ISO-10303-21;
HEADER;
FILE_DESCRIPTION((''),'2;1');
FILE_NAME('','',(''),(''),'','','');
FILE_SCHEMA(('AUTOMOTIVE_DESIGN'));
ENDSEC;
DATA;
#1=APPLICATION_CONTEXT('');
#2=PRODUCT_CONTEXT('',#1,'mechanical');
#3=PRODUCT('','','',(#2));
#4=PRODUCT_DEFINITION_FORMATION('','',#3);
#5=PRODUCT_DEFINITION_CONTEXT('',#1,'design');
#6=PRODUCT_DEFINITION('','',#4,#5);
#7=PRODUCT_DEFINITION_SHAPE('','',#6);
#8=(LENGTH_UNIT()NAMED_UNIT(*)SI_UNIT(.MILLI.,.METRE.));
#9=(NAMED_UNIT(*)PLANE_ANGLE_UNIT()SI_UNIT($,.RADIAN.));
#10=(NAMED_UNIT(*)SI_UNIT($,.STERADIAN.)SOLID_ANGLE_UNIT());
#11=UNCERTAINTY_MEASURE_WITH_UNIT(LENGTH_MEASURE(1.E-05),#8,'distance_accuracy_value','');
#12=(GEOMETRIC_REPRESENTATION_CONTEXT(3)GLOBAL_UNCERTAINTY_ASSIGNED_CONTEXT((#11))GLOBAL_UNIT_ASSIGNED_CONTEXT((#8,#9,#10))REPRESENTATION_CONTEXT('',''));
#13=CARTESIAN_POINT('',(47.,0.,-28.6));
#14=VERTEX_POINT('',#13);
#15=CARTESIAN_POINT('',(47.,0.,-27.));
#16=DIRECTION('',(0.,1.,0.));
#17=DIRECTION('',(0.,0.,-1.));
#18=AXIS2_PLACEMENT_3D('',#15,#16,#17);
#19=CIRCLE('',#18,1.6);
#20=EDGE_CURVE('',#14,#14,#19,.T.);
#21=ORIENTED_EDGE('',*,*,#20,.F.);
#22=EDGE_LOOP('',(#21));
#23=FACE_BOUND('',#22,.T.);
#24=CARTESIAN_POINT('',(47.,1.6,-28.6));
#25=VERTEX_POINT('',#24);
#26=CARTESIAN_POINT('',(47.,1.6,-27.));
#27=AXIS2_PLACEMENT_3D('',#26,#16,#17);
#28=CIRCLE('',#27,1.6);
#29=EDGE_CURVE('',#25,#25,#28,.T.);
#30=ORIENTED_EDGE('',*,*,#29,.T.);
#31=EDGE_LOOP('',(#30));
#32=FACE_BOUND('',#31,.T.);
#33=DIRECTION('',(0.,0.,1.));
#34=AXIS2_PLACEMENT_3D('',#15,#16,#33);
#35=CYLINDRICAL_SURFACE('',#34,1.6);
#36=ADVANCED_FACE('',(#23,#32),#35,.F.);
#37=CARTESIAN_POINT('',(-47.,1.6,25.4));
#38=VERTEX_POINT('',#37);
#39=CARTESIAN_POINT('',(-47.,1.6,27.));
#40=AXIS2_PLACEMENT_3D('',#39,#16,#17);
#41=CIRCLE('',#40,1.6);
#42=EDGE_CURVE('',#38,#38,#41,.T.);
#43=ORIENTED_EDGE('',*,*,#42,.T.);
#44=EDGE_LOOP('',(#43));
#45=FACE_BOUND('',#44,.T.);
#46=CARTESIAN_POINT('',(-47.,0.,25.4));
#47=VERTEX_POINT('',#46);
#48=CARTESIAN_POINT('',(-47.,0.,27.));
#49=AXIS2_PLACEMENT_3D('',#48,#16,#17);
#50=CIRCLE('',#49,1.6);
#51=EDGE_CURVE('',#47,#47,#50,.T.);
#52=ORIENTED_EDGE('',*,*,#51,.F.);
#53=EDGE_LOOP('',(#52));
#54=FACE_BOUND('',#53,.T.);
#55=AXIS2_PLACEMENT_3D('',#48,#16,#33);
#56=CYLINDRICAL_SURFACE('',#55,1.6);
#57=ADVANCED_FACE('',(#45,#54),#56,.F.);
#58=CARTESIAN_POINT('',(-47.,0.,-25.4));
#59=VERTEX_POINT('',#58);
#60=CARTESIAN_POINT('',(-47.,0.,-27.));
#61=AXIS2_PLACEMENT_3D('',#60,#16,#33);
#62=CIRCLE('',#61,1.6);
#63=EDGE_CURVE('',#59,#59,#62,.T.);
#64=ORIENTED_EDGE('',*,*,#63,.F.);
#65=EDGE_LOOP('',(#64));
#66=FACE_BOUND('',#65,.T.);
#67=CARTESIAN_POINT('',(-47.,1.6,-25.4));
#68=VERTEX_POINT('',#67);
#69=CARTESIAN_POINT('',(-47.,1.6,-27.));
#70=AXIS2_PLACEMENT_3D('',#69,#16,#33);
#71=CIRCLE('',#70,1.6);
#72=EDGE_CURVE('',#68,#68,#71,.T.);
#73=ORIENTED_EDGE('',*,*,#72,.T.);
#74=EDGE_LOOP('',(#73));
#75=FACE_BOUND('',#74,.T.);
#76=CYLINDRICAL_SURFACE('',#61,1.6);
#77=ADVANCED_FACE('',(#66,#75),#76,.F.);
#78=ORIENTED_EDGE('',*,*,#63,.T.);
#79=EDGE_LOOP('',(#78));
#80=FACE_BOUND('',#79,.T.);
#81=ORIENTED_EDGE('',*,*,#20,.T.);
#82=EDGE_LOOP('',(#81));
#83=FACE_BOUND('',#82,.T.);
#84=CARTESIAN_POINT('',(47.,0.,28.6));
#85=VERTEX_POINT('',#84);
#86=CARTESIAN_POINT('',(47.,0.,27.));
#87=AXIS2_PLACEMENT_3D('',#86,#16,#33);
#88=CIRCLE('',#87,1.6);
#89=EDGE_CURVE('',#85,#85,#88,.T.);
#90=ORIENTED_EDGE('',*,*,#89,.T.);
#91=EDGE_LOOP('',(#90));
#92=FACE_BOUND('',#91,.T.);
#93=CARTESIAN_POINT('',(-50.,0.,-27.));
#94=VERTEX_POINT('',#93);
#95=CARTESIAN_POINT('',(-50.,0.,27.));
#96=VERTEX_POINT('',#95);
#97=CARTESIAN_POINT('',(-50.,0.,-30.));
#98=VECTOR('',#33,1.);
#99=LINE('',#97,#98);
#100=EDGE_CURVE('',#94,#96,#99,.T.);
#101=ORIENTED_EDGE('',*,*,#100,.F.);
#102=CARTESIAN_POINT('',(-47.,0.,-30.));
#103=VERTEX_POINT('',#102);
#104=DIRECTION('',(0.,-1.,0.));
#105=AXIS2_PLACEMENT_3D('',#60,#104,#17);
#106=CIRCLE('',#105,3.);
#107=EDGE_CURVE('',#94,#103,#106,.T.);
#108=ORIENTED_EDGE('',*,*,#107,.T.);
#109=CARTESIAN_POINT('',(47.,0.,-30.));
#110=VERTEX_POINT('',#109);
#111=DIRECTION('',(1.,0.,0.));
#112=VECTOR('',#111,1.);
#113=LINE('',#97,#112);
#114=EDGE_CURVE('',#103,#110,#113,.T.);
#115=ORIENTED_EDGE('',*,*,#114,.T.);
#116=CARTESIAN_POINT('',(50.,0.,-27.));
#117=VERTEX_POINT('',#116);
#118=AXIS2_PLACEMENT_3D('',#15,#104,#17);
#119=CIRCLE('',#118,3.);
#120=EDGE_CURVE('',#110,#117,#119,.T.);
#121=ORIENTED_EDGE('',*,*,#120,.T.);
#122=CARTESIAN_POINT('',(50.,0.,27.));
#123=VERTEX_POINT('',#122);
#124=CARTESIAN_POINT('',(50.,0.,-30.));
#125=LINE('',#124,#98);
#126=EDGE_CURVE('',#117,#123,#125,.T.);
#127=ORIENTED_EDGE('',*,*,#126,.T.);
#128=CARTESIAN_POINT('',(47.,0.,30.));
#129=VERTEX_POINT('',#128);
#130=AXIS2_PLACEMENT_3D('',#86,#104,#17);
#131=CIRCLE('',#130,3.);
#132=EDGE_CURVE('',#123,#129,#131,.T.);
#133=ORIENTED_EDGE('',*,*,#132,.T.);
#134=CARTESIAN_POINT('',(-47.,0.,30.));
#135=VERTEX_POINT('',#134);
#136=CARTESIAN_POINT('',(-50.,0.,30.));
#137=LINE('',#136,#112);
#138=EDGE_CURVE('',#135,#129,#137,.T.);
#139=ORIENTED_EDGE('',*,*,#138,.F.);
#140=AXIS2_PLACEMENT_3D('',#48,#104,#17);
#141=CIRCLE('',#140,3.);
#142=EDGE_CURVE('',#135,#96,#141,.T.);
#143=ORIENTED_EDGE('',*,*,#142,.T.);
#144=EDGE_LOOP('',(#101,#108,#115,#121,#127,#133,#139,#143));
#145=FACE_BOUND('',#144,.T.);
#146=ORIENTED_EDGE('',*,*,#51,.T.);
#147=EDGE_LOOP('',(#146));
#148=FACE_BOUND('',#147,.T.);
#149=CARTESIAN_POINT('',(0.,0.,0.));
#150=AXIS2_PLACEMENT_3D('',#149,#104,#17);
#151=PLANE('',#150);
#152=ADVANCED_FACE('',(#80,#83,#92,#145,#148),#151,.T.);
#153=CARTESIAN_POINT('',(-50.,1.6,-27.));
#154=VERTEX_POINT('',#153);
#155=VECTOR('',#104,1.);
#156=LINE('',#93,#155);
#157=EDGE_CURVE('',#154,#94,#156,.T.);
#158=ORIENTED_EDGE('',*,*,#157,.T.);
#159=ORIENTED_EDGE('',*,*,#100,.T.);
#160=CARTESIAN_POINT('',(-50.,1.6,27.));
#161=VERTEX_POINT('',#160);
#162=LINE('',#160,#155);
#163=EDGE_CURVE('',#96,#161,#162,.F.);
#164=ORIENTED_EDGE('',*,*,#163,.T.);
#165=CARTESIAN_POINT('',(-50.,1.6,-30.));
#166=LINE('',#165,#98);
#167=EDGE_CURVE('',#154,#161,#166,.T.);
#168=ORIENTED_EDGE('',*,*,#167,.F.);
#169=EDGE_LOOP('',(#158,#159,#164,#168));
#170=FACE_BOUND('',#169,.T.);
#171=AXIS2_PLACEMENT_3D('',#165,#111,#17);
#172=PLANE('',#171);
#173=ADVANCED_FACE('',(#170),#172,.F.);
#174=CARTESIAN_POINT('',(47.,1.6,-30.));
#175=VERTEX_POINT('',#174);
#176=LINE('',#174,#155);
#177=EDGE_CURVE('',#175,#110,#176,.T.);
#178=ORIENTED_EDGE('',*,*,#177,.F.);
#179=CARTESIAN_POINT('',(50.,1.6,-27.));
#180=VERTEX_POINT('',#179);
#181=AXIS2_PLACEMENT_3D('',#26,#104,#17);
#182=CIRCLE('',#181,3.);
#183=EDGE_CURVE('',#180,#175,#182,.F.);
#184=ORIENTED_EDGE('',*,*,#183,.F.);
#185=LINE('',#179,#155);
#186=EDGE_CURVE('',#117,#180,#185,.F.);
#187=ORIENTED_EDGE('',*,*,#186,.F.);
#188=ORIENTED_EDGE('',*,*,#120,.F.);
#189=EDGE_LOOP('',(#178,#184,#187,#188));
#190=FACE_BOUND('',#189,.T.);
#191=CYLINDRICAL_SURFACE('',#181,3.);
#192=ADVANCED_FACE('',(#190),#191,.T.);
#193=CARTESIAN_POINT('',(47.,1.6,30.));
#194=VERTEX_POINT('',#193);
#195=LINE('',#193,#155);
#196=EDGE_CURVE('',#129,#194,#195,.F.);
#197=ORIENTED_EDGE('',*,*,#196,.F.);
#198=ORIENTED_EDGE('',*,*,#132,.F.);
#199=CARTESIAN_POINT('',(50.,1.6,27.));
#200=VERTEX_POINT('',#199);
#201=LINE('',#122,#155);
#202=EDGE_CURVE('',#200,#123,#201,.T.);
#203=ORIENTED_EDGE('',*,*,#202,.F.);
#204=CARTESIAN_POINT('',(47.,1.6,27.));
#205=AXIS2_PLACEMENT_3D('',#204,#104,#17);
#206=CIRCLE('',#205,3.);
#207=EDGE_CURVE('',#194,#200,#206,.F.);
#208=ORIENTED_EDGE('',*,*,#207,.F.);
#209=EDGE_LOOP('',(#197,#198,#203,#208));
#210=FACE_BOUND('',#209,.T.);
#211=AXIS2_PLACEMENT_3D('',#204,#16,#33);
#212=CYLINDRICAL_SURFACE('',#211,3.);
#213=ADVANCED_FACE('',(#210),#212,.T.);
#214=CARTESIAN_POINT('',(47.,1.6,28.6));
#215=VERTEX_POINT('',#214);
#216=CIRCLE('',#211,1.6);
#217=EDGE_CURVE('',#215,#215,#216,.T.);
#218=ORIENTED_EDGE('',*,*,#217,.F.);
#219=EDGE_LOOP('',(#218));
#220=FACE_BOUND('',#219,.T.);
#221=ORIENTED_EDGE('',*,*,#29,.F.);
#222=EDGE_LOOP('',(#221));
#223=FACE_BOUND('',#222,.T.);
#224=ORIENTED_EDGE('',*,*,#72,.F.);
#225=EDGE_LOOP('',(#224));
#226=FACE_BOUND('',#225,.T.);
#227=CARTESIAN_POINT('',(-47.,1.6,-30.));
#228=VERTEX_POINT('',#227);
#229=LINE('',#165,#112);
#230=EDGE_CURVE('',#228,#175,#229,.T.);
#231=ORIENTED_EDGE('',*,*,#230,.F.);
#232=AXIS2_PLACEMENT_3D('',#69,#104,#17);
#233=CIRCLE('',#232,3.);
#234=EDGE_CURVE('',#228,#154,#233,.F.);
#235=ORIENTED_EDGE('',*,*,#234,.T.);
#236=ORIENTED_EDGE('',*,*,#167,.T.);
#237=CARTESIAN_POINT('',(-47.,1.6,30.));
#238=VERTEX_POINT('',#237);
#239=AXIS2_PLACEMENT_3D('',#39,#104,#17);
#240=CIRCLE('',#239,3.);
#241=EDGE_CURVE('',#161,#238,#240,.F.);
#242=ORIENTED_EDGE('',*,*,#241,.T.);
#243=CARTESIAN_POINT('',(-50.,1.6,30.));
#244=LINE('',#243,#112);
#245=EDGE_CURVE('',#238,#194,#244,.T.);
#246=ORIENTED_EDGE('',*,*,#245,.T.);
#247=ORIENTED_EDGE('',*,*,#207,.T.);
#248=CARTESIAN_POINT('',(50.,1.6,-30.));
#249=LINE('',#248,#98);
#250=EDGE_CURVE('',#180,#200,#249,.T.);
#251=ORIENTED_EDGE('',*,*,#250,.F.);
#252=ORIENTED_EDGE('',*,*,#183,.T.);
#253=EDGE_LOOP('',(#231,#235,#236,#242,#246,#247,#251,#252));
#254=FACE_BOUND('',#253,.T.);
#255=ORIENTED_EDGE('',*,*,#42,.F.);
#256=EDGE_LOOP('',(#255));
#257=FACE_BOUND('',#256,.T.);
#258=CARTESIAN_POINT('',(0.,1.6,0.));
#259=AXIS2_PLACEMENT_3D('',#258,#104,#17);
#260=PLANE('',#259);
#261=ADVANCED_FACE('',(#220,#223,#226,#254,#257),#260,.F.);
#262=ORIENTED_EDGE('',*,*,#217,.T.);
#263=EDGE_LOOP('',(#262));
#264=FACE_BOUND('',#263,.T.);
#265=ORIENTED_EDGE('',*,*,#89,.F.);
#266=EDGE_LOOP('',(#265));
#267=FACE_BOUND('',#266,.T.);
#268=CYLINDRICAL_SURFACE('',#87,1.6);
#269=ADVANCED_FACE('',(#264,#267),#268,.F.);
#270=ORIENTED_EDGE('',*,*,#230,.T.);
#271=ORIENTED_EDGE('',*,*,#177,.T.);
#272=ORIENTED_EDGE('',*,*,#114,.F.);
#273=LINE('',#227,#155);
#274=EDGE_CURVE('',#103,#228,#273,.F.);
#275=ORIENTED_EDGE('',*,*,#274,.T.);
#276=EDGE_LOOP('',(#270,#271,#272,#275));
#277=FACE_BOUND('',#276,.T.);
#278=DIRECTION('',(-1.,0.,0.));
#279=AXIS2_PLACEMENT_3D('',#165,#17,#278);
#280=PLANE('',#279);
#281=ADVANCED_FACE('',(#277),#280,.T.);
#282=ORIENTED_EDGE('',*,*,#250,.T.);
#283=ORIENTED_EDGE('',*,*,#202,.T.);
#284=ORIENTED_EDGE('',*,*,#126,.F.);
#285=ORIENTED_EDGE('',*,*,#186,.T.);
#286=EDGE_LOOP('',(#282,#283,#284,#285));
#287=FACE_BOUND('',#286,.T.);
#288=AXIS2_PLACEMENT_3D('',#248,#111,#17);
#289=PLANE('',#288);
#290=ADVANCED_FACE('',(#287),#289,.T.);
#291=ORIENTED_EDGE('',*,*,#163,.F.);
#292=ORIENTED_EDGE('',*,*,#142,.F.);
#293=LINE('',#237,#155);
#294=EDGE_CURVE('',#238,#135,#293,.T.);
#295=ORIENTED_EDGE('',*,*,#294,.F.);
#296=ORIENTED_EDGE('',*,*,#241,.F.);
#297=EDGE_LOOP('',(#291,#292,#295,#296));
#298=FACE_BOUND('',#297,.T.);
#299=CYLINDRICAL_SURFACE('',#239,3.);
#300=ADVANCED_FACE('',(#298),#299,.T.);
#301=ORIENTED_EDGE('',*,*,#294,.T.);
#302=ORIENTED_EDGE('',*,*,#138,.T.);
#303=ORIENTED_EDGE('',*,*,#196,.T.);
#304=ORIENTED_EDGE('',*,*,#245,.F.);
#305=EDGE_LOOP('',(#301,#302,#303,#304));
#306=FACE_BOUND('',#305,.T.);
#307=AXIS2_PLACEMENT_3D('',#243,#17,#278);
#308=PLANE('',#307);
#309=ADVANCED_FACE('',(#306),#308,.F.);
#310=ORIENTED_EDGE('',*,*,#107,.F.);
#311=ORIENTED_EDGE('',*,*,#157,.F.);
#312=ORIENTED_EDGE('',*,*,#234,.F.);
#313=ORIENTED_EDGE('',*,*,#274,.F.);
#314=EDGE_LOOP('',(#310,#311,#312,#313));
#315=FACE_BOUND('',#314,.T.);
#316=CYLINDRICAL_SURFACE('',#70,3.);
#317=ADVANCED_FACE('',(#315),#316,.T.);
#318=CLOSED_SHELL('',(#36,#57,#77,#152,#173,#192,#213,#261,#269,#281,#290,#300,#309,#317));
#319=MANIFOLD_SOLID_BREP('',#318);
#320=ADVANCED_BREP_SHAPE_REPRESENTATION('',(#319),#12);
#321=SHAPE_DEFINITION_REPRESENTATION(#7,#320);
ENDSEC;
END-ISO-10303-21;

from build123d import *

# Parameters (mm, degrees)
SKETCH_1_W          = 100
SKETCH_1_H          = 60
EXTRUDE_1_DEPTH     = 1.6
SKETCH_2_R          = 1.6
CUT_EXTRUDE_1_DEPTH = 2.6
FILLET_1_R          = 3


with BuildPart() as part:
    # 草图1 → 凸台-拉伸1 (new body)
    with BuildSketch(Plane(origin=(0, 0, 0), x_dir=(1, 0, 0), z_dir=(0, 1, 0))):
        Rectangle(SKETCH_1_W, SKETCH_1_H)
    extrude(amount=EXTRUDE_1_DEPTH)

    # 草图2 → 切除-拉伸1 (cut, through all)
    with BuildSketch(Plane(origin=(0, 1.6, 0), x_dir=(1, 0, 0), z_dir=(0, 1, 0))):
        with Locations((-47, 27)):
            Circle(SKETCH_2_R)
        with Locations((47, 27)):
            Circle(SKETCH_2_R)
        with Locations((47, -27)):
            Circle(SKETCH_2_R)
        with Locations((-47, -27)):
            Circle(SKETCH_2_R)
    extrude(amount=-CUT_EXTRUDE_1_DEPTH, mode=Mode.SUBTRACT)

    # 圆角1
    fillet_1_edges = [part.edges().sort_by_distance(p)[0] for p in [
        (-50, 0.8, 30),
        (-50, 0.8, -30),
        (50, 0.8, -30),
        (50, 0.8, 30),
    ]]
    fillet(fillet_1_edges, radius=FILLET_1_R)


solid = part.part
